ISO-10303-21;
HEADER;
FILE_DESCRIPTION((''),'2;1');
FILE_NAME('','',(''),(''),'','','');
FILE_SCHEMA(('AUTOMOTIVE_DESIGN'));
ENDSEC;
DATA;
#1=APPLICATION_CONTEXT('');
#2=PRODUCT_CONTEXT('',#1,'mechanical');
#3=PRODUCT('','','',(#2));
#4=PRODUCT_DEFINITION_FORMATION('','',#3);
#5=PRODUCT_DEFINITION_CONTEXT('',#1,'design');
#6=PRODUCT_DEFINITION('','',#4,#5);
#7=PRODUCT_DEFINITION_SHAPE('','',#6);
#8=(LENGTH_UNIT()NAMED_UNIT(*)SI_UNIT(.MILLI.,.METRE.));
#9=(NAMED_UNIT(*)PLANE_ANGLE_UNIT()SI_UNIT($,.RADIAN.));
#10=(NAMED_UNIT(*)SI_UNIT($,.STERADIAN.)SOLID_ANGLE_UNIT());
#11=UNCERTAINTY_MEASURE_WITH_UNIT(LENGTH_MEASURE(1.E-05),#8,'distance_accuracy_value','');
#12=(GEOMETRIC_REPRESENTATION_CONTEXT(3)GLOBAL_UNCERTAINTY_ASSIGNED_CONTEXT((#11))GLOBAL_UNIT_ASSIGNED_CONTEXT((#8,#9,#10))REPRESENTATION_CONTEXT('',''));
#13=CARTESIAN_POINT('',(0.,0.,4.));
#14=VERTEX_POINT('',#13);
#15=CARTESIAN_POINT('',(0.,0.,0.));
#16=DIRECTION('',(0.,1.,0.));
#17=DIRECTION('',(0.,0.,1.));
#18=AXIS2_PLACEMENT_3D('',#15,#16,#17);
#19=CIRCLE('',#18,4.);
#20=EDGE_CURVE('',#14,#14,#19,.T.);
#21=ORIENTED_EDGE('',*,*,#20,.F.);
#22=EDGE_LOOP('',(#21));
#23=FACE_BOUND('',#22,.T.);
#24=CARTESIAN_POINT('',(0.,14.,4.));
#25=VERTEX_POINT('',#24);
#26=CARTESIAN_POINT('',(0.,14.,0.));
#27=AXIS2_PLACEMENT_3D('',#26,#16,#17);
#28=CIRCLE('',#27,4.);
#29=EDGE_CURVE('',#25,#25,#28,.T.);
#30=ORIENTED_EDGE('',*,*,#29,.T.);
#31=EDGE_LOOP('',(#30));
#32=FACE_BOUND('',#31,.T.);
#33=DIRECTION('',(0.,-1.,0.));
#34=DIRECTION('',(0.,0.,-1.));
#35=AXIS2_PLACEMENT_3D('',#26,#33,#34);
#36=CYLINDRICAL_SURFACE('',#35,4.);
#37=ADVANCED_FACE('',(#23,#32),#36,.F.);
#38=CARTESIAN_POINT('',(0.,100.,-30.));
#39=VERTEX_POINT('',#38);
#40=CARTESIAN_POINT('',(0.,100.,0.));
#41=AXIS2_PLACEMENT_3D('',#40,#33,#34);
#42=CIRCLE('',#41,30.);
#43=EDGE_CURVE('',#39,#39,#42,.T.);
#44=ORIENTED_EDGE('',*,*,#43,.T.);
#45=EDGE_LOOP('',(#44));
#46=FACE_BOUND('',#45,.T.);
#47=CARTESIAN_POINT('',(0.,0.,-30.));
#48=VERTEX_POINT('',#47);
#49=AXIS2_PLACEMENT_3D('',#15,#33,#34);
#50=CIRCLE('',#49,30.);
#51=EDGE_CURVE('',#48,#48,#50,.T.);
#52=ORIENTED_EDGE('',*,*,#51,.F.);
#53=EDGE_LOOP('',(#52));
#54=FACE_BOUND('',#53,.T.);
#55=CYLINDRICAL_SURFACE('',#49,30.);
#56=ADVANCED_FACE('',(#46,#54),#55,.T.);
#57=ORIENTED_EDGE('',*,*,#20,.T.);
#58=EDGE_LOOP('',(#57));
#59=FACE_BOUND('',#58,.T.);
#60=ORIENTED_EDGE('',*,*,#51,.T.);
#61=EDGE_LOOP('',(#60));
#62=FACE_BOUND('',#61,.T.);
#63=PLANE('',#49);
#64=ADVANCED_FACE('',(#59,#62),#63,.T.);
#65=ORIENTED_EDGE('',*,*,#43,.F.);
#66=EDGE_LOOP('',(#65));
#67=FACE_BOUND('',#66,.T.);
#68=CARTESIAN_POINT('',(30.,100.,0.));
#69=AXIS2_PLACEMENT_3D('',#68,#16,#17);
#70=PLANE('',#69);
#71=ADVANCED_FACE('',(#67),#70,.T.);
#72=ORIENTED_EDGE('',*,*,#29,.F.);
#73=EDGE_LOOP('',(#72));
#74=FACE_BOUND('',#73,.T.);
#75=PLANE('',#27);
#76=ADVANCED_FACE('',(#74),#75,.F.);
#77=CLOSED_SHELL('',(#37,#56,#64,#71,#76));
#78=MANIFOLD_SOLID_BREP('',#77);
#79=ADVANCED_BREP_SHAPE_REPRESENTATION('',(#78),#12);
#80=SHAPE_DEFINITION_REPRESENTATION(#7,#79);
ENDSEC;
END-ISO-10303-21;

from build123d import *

# Parameters (mm, degrees)
CROQUIS_PERFIL_W           = 30
CROQUIS_PERFIL_H           = 100
CROQUIS_AGUJEROS_MONTAJE_R = 4
AGUJERO_INSERTO_M6_DEPTH   = 14


with BuildPart() as part:
    # Croquis_perfil → Cilindro_D60x100 (revolve)
    with BuildSketch(Plane.XY, mode=Mode.PRIVATE) as cilindro_d60x100_sk:
        with Locations((15, 50)):
            Rectangle(CROQUIS_PERFIL_W, CROQUIS_PERFIL_H)
    revolve(cilindro_d60x100_sk.sketch.rotate(Axis((0, 0, 0), (0, 1, 0)), 90), axis=Axis((0, 0, 0), (0, 1, 0)))

    # Croquis_agujeros_montaje → Agujero_inserto_M6 (cut)
    with BuildSketch(Plane(origin=(0, 0, 0), x_dir=(1, 0, 0), z_dir=(0, 1, 0))):
        with Locations(Location((0, 0, 0), (0, 0, 270))):
            Circle(CROQUIS_AGUJEROS_MONTAJE_R)
    extrude(amount=AGUJERO_INSERTO_M6_DEPTH, mode=Mode.SUBTRACT)


solid = part.part
